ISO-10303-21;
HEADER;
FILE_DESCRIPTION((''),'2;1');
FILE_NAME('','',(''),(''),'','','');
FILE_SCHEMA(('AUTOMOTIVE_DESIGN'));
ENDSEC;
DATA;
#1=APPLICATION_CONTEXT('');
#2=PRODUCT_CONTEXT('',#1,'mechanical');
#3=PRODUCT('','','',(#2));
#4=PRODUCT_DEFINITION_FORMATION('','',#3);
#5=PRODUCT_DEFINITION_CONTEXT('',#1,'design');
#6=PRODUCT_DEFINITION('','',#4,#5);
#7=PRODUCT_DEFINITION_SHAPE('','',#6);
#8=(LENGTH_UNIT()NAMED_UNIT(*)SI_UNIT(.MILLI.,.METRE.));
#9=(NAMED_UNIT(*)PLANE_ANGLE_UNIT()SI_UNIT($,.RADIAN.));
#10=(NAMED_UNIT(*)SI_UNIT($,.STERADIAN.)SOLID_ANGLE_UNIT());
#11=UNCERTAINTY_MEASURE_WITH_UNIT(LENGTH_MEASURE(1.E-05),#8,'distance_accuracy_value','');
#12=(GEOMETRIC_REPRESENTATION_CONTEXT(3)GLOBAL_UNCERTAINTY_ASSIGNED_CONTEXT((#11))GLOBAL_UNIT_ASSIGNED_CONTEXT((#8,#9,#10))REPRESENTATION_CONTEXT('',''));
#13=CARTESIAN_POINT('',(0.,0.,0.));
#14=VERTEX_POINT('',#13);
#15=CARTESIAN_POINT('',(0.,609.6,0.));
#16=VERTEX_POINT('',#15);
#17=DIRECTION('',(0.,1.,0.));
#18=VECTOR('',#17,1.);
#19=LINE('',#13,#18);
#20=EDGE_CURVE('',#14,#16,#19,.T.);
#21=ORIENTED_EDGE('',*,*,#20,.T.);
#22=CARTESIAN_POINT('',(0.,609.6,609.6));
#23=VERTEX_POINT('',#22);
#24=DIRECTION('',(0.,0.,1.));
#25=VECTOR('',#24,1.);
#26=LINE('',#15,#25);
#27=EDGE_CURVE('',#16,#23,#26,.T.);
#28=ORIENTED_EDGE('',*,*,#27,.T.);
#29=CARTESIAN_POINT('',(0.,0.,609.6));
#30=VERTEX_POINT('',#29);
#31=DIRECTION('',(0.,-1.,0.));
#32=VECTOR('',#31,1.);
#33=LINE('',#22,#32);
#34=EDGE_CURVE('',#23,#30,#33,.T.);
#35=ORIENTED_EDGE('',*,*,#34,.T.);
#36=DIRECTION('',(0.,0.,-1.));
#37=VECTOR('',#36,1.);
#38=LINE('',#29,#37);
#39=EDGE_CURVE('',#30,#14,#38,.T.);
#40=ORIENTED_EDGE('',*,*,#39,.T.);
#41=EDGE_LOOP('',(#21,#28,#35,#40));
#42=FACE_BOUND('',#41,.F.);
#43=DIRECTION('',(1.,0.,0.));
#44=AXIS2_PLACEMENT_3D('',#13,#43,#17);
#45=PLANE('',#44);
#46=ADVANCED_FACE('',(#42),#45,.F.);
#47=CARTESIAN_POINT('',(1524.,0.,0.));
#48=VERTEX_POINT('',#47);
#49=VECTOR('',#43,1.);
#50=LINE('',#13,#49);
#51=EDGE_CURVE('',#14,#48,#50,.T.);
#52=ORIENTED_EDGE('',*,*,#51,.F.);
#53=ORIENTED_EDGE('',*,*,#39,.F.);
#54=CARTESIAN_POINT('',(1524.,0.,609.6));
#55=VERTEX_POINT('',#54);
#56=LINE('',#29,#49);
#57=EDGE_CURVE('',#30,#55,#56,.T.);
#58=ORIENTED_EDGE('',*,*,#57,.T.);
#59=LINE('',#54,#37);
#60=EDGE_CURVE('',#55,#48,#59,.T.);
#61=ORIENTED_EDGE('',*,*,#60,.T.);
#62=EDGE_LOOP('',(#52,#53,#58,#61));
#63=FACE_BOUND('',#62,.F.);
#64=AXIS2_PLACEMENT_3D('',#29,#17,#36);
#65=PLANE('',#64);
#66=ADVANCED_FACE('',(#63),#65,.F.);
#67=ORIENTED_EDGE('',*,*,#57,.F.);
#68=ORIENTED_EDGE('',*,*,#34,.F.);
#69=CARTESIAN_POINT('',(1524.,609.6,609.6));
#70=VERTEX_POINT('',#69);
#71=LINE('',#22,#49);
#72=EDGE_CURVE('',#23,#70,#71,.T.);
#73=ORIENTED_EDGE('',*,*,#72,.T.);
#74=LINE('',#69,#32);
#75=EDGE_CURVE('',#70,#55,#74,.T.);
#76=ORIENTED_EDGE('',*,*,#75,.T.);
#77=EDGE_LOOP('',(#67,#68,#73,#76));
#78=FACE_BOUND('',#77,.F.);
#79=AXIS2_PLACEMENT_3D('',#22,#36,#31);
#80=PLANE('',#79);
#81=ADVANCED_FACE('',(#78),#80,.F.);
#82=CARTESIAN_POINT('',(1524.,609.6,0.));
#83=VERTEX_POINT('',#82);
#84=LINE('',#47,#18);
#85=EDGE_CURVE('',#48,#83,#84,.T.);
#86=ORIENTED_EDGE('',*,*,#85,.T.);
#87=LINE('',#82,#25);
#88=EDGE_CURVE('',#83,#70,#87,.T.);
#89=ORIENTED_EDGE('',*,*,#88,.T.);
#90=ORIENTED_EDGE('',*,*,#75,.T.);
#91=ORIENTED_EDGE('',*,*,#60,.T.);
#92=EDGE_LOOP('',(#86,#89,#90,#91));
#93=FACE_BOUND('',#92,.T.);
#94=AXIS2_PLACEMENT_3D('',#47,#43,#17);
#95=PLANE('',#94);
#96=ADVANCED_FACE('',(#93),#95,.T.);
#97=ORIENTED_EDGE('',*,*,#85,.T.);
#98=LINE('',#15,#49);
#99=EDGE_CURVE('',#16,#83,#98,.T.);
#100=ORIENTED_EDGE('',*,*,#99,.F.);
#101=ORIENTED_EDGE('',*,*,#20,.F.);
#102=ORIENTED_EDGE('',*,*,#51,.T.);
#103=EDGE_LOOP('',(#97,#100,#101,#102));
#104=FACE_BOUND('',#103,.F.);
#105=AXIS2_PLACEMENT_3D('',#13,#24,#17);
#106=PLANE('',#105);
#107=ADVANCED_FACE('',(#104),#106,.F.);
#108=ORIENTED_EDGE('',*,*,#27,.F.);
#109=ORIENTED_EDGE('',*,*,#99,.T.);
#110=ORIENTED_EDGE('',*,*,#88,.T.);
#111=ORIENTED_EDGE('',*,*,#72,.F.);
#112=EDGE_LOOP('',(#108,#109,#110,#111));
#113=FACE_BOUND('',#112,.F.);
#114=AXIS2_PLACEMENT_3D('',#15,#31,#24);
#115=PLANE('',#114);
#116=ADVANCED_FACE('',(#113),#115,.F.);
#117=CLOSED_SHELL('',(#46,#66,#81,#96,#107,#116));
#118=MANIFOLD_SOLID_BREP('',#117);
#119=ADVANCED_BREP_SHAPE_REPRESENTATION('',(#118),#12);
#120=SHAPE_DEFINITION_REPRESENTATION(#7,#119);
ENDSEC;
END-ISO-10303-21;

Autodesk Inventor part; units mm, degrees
ref_plane "YZ Plane" through (0, 0, 0) normal (1, 0, 0) x (0, 1, 0)
ref_plane "XZ Plane" through (0, 0, 0) normal (0, 1, 0) x (-1, 0, 0)
ref_plane "XY Plane" through (0, 0, 0) normal (0, 0, 1) x (1, 0, 0)
sketch "Sketch1" plane through (0, 0, 0) normal (1, 0, 0) x (0, 1, 0)
  line L0 (0, 0) -> (609.6, 0)
  line L1 (609.6, 0) -> (609.6, 609.6)
  line L2 (609.6, 609.6) -> (0, 609.6)
  line L3 (0, 609.6) -> (0, 0)
  dimension "d0" = 609.6
  dimension "d1" = 609.6
extrude "Extrusion1" add sketch "Sketch1" along normal blind 1524
properties part number "24x24x60" material "Limestone"
